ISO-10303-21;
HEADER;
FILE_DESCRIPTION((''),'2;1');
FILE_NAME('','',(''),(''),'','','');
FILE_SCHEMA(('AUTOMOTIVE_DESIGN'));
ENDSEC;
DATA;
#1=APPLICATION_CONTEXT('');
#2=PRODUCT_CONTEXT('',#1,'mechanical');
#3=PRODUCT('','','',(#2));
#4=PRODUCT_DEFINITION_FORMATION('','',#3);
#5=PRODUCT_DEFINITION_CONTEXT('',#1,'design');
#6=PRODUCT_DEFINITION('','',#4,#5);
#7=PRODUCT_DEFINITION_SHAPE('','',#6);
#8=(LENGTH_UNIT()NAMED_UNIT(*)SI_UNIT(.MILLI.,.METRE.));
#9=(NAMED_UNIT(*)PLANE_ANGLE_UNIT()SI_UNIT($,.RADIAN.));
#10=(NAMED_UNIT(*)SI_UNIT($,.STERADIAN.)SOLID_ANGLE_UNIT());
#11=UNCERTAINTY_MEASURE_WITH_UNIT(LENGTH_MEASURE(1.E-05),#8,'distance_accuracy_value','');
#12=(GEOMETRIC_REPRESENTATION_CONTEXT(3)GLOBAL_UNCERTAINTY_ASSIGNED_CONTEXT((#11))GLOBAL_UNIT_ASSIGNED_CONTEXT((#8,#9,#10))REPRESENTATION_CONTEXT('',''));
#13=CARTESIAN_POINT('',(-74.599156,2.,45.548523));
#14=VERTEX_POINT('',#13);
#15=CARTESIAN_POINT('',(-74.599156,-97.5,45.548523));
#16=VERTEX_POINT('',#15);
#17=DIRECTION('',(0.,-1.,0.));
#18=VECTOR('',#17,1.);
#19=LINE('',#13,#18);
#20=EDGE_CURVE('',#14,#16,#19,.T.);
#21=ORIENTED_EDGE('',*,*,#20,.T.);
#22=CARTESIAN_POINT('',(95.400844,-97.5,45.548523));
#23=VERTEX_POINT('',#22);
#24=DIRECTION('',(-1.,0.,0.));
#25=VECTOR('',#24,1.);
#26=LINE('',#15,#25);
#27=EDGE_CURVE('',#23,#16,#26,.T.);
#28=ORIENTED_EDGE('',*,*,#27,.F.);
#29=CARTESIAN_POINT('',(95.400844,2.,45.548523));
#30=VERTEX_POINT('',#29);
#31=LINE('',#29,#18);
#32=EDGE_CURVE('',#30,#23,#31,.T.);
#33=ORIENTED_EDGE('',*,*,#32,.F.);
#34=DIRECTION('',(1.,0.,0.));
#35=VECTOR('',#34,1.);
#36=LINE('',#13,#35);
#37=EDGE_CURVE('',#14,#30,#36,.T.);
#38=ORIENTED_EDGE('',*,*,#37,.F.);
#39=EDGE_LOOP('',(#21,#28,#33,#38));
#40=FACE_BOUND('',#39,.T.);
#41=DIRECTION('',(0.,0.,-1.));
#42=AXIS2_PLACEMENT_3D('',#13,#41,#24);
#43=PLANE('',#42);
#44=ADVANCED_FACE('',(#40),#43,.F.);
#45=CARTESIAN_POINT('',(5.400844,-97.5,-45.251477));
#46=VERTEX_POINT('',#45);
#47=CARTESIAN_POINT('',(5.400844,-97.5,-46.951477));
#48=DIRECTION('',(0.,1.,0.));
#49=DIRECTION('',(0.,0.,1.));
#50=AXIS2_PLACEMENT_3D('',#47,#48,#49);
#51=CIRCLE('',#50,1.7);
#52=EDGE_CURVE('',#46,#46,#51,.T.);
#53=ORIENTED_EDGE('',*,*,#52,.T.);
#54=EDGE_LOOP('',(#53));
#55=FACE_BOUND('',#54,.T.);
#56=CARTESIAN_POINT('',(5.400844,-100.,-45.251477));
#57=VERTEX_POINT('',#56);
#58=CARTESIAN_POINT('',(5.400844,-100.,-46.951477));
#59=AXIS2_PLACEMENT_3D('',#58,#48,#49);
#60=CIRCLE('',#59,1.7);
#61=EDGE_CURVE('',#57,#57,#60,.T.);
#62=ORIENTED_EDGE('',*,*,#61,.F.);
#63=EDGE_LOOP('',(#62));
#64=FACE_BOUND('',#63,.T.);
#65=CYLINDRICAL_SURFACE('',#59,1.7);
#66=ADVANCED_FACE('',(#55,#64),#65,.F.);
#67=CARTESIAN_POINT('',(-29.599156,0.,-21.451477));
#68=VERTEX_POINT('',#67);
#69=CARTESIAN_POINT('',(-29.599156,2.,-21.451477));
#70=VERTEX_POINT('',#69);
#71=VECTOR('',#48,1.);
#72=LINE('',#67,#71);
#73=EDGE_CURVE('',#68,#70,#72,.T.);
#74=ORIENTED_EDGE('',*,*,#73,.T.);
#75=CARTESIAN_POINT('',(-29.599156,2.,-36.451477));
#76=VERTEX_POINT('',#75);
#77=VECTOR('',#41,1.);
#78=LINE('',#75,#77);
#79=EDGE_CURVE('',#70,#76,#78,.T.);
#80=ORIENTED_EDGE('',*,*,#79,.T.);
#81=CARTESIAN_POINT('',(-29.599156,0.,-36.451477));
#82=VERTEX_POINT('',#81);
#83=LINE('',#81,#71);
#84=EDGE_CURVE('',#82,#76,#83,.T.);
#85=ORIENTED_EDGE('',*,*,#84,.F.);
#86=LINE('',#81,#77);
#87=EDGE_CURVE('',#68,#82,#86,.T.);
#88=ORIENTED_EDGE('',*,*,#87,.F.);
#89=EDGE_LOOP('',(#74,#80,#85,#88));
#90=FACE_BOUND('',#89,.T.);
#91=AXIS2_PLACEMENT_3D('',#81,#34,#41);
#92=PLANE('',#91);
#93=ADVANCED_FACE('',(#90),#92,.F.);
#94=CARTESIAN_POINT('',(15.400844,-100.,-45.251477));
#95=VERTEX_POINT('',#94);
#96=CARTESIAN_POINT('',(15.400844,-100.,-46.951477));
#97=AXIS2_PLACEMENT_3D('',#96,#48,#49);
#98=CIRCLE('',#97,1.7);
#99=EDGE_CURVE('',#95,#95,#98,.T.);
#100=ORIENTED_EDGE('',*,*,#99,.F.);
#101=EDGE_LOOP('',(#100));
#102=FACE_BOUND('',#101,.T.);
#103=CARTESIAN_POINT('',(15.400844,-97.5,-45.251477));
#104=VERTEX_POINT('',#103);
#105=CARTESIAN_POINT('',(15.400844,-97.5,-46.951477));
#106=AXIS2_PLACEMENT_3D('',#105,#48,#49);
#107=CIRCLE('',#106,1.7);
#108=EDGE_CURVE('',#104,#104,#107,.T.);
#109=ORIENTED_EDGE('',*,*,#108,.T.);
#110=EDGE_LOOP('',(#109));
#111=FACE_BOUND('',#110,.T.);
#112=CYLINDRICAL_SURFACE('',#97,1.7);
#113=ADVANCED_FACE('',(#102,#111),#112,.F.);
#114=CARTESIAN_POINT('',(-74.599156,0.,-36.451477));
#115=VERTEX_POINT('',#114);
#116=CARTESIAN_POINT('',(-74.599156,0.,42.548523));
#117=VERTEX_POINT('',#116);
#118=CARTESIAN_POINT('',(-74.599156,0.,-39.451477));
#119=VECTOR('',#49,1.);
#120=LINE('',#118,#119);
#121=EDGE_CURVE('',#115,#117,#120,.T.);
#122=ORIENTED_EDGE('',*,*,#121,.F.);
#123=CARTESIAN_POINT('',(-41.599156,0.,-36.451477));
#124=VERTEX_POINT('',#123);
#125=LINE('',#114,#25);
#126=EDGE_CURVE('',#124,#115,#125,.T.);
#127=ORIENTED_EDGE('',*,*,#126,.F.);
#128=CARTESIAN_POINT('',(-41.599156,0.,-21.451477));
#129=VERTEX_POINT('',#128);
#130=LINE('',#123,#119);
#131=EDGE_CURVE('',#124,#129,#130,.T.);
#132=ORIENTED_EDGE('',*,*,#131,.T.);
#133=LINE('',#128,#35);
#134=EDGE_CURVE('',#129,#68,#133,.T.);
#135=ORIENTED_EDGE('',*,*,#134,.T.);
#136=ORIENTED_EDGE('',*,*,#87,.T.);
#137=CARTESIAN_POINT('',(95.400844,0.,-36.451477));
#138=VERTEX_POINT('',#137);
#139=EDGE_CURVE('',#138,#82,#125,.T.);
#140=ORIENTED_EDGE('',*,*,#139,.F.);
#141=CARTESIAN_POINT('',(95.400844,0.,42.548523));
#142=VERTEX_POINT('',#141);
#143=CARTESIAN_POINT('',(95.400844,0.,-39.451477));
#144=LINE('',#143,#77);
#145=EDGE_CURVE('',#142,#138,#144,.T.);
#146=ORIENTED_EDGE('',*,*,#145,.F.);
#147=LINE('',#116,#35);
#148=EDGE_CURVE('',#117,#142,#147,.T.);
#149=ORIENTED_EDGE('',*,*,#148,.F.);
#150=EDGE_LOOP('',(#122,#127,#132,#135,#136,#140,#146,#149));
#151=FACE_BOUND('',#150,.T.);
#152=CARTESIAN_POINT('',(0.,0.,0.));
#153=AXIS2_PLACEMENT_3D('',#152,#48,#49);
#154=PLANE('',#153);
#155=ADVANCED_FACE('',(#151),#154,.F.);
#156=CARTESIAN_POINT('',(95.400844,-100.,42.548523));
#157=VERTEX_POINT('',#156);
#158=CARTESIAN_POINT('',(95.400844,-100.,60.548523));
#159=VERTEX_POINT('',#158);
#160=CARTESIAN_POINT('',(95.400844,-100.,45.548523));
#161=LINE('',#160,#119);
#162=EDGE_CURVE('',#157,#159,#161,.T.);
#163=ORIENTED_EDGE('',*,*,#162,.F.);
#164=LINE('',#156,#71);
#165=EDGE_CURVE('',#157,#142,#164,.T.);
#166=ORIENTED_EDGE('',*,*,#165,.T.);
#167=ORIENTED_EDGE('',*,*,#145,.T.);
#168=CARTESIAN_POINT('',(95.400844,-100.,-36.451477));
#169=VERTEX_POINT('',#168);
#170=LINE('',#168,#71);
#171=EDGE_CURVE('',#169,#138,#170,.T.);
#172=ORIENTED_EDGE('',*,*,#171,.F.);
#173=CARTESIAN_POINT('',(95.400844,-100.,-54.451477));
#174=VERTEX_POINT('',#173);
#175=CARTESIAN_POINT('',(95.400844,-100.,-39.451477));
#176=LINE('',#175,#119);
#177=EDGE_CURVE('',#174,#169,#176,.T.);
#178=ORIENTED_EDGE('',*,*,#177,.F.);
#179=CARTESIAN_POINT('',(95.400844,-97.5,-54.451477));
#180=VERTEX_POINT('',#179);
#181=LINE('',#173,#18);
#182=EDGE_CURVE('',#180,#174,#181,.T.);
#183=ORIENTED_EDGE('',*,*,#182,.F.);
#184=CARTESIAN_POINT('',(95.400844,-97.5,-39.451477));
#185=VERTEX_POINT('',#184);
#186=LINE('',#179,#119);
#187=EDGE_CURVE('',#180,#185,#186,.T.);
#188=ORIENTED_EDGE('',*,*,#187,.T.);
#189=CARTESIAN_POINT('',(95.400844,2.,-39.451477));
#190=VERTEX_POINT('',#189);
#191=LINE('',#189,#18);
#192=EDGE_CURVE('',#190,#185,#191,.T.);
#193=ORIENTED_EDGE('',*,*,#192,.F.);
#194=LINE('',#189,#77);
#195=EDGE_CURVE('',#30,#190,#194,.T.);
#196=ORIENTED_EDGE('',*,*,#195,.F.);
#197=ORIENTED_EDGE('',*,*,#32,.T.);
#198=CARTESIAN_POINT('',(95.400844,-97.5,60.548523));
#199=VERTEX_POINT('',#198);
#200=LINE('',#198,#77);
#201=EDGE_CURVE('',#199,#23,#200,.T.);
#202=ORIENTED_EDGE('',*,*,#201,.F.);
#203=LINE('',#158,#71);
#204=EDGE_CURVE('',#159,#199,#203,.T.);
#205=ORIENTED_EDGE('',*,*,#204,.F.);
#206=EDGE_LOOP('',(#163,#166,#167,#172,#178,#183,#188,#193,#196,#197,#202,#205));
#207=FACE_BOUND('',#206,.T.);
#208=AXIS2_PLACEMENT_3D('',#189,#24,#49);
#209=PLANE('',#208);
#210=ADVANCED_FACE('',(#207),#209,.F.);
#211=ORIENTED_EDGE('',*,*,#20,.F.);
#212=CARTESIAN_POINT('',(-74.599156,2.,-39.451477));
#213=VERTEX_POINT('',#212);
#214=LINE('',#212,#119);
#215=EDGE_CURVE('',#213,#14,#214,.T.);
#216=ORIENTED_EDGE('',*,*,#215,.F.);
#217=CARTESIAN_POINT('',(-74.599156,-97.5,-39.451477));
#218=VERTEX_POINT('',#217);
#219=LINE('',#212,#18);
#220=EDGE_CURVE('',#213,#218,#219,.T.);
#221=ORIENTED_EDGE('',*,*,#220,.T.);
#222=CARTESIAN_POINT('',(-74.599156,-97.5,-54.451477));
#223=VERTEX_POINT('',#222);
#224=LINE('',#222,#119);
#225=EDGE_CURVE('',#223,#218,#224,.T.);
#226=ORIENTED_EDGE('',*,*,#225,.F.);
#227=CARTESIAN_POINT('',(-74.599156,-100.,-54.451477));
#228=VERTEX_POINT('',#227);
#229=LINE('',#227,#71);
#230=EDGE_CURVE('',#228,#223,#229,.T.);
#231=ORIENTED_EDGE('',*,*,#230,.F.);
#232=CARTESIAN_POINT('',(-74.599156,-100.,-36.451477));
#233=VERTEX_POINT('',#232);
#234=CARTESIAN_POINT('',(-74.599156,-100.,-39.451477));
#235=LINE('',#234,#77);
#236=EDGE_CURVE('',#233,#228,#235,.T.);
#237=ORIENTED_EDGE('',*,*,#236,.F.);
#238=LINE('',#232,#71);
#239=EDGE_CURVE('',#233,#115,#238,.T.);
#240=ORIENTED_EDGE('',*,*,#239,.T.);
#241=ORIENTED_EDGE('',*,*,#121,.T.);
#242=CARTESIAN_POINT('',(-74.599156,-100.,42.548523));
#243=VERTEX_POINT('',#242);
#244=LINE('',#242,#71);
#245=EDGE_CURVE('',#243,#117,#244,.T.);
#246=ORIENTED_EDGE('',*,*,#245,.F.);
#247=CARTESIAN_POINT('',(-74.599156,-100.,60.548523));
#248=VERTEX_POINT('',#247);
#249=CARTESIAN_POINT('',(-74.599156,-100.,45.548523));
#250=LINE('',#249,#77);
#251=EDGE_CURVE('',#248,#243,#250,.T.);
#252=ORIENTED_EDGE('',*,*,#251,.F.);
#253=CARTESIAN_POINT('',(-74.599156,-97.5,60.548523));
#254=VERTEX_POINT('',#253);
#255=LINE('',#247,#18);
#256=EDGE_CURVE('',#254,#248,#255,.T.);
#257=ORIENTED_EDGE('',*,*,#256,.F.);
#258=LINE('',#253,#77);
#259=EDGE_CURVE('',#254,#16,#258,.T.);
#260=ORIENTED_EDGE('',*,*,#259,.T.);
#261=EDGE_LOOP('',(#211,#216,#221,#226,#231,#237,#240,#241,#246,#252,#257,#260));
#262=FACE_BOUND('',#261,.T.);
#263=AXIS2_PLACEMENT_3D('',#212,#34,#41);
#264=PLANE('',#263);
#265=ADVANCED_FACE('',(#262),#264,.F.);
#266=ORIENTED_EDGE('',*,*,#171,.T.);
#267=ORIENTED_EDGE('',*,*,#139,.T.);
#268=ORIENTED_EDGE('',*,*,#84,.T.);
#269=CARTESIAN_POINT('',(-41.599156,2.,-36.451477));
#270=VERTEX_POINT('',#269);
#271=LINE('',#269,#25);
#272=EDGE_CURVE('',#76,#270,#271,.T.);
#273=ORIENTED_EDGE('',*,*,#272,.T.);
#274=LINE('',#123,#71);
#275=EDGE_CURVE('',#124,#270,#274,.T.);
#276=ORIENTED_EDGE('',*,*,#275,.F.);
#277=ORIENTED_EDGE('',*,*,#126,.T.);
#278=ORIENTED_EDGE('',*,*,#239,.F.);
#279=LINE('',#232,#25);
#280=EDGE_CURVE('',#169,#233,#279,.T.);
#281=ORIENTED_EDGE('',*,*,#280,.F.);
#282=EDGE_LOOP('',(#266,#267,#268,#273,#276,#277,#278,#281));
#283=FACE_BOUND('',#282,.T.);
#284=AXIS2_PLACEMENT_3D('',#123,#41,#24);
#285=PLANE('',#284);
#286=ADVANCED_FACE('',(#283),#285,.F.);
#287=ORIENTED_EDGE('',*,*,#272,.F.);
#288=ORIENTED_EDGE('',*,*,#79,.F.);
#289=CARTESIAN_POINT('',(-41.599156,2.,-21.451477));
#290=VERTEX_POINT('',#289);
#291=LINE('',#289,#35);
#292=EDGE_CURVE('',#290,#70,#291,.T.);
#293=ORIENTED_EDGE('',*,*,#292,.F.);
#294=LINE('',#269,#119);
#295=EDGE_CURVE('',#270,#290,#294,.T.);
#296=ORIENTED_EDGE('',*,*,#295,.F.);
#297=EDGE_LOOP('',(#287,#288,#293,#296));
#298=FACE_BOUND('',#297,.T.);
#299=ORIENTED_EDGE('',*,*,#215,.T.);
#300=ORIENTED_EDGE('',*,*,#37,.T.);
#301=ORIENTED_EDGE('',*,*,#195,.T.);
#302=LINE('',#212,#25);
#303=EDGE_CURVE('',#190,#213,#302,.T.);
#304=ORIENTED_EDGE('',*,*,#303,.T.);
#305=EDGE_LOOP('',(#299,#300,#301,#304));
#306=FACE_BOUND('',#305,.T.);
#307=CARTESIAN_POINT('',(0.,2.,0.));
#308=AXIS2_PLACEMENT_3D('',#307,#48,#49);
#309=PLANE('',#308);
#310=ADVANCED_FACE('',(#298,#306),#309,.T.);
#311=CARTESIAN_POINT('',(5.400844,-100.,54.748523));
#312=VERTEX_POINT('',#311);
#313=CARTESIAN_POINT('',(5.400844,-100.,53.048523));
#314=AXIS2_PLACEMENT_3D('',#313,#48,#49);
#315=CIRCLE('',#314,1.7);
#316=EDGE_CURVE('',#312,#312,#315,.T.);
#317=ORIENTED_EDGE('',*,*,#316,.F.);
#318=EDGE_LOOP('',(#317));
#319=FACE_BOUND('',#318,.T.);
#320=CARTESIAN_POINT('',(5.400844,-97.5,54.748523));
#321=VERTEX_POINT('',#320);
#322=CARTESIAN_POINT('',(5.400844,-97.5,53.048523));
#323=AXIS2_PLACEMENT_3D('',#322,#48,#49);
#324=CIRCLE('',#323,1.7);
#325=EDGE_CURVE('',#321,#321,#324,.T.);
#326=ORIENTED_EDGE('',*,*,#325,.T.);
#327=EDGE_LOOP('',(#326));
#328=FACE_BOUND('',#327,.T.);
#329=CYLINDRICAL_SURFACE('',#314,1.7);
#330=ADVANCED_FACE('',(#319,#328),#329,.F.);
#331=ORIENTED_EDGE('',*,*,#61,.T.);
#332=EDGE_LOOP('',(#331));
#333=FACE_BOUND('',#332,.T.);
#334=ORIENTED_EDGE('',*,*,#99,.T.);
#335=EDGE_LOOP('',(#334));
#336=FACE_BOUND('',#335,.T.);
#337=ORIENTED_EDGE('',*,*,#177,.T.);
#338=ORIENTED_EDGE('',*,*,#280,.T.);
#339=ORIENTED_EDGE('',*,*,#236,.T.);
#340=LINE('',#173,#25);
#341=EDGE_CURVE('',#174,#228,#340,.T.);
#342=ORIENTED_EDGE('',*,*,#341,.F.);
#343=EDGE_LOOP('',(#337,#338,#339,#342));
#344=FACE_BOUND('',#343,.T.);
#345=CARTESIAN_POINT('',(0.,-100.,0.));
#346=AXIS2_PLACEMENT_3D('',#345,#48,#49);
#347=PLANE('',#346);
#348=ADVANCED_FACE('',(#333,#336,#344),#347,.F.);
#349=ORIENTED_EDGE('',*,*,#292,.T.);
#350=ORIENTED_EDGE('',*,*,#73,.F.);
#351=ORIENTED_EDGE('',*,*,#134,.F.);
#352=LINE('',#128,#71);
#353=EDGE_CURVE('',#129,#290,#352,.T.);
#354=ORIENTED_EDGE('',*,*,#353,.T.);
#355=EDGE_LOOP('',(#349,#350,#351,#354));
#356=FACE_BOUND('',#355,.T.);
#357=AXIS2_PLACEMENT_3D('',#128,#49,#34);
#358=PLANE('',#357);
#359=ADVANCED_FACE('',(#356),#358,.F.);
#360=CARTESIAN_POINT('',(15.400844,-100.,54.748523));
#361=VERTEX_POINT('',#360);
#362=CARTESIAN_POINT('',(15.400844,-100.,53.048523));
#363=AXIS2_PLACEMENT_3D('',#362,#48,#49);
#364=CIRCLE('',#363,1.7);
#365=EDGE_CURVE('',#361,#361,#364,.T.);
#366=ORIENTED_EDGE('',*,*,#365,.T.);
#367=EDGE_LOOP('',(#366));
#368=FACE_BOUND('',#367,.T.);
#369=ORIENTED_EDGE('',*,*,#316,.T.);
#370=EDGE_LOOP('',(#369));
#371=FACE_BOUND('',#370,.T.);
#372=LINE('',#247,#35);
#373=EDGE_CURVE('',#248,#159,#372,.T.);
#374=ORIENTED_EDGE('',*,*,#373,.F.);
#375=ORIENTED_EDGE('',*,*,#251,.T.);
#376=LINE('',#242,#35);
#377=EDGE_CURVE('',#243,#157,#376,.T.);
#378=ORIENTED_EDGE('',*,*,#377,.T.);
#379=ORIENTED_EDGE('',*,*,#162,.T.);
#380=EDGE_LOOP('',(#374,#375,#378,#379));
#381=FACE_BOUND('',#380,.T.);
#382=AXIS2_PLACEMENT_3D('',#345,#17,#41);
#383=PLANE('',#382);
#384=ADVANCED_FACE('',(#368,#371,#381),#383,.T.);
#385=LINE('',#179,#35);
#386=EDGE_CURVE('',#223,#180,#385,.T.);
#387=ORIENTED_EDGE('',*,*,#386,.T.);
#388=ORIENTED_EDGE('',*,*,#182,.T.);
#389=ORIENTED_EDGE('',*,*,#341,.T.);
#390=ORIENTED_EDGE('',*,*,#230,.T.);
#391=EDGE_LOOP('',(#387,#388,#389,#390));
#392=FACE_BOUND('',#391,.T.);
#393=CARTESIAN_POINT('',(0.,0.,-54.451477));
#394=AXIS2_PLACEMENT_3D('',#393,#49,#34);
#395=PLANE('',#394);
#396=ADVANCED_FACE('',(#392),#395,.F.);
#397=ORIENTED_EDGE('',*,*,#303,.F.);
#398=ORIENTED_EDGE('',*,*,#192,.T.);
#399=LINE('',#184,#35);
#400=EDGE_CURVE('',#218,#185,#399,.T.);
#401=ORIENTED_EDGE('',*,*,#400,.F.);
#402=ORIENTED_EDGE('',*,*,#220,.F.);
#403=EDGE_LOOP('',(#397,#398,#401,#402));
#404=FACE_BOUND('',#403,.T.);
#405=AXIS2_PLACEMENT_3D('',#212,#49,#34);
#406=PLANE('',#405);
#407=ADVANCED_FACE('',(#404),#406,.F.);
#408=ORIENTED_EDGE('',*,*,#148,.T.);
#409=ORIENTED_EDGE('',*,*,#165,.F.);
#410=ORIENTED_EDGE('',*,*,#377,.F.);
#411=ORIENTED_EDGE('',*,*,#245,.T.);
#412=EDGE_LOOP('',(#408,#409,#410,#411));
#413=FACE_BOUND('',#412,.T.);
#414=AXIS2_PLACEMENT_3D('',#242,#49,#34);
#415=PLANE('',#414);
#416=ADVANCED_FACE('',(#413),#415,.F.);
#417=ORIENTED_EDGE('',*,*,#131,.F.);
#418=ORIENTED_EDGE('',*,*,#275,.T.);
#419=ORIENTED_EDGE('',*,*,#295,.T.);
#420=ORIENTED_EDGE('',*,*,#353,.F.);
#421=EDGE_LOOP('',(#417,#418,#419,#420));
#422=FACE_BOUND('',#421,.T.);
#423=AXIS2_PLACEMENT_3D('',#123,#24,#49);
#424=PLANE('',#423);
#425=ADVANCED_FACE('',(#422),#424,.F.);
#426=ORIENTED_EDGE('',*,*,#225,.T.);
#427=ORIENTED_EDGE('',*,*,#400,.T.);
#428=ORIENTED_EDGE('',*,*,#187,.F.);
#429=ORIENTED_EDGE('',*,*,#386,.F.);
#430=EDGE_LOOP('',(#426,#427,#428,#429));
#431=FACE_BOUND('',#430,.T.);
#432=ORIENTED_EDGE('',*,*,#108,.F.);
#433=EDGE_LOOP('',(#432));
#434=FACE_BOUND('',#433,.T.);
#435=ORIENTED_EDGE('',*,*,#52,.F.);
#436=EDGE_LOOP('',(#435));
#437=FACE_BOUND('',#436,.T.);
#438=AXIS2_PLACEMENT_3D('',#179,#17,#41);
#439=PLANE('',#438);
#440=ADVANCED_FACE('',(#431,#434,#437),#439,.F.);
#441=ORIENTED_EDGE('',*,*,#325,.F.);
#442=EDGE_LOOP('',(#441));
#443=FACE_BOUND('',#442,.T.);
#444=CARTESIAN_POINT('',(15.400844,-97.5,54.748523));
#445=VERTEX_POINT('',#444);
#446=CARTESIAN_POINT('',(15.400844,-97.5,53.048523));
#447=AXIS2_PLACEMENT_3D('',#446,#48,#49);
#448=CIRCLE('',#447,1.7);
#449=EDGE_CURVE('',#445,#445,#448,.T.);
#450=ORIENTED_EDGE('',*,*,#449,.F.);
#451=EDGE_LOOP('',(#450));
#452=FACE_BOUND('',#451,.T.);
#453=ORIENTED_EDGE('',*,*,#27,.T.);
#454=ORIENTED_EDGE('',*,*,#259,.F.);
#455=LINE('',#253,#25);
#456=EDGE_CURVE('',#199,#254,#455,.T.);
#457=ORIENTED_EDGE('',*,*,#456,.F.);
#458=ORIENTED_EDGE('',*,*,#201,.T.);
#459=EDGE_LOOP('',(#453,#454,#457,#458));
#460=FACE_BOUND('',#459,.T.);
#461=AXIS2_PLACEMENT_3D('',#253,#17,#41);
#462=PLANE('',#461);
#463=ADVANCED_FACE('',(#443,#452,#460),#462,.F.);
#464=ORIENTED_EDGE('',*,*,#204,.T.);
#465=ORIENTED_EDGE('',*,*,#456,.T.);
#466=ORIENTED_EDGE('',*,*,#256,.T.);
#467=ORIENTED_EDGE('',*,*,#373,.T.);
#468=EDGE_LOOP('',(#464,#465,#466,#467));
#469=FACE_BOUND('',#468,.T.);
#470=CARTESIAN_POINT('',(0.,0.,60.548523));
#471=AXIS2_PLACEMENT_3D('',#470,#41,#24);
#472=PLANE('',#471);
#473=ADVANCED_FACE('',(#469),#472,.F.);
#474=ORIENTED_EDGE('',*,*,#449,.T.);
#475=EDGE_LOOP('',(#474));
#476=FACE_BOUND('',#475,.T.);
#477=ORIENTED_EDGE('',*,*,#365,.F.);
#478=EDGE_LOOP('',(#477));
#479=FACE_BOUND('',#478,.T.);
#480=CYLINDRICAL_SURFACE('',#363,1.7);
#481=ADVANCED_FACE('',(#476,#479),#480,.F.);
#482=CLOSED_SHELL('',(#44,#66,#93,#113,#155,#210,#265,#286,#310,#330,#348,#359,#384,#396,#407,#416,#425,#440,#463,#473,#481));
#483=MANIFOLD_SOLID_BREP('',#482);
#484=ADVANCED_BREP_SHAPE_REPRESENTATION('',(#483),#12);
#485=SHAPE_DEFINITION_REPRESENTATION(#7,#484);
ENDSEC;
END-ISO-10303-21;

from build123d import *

# Parameters (mm, degrees)
SKETCH2_W           = 170
SKETCH2_H           = 85
BOSS_EXTRUDE1_DEPTH = 2
SKETCH3_W           = 12
SKETCH3_H           = 15
CUT_EXTRUDE1_DEPTH  = 106.73546699
SKETCH6_W           = 170
SKETCH6_H           = 3
BOSS_EXTRUDE2_DEPTH = 100
SKETCH7_W           = 170
SKETCH7_H           = 2.5
BOSS_EXTRUDE3_DEPTH = 15
SKETCH8_W           = 170
SKETCH8_H           = 2.5
BOSS_EXTRUDE4_DEPTH = 15
SKETCH9_R           = 1.7
CUT_EXTRUDE3_DEPTH  = 151.557944579
SKETCH11_R          = 1.7
CUT_EXTRUDE4_DEPTH  = 151.557944579


with BuildPart() as part:
    # Sketch2 → Boss-Extrude1 (new body)
    with BuildSketch(Plane(origin=(0, 0, 0), x_dir=(1, 0, 0), z_dir=(0, 1, 0))):
        with Locations((10.400843882, -3.048523207)):
            Rectangle(SKETCH2_W, SKETCH2_H)
    extrude(amount=BOSS_EXTRUDE1_DEPTH)

    # Sketch3 → Cut-Extrude1 (cut, through all)
    with BuildSketch(Plane(origin=(0, 2, 0), x_dir=(1, 0, 0), z_dir=(0, 1, 0))):
        with Locations((-35.599156118, 28.951476793)):
            Rectangle(SKETCH3_W, SKETCH3_H)
    extrude(amount=-CUT_EXTRUDE1_DEPTH, mode=Mode.SUBTRACT)

    # Sketch6 → Boss-Extrude2 (add)
    with BuildSketch(Plane.XZ):
        with Locations((10.400843882, -37.951476793)):
            Rectangle(SKETCH6_W, SKETCH6_H)
        with Locations((10.400843882, 44.048523207)):
            Rectangle(SKETCH6_W, SKETCH6_H)
    extrude(amount=BOSS_EXTRUDE2_DEPTH)

    # Sketch7 → Boss-Extrude3 (add)
    with BuildSketch(Plane(origin=(0, 0, -39.451476793), x_dir=(-1, 0, 0), z_dir=(0, 0, -1))):
        with Locations((-10.400843882, -98.75)):
            Rectangle(SKETCH7_W, SKETCH7_H)
    extrude(amount=BOSS_EXTRUDE3_DEPTH)

    # Sketch8 → Boss-Extrude4 (add)
    with BuildSketch(Plane.XY.offset(45.548523207)):
        with Locations((10.400843882, -98.75)):
            Rectangle(SKETCH8_W, SKETCH8_H)
    extrude(amount=BOSS_EXTRUDE4_DEPTH)

    # Sketch9 → Cut-Extrude3 (cut, through all)
    with BuildSketch(Plane(origin=(0, -97.5, 0), x_dir=(1, 0, 0), z_dir=(0, 1, 0))):
        with Locations(Location((5.400843882, -53.048523207, 0), (0, 0, 270))):
            Circle(SKETCH9_R)
        with Locations(Location((15.400843882, -53.048523207, 0), (0, 0, 270))):
            Circle(SKETCH9_R)
    extrude(amount=-CUT_EXTRUDE3_DEPTH, mode=Mode.SUBTRACT)

    # Sketch11 → Cut-Extrude4 (cut, through all)
    with BuildSketch(Plane(origin=(0, -97.5, 0), x_dir=(1, 0, 0), z_dir=(0, 1, 0))):
        with Locations(Location((5.400843882, 46.951476793, 0), (0, 0, 270))):
            Circle(SKETCH11_R)
        with Locations(Location((15.400843882, 46.951476793, 0), (0, 0, 270))):
            Circle(SKETCH11_R)
    extrude(amount=-CUT_EXTRUDE4_DEPTH, mode=Mode.SUBTRACT)


solid = part.part
